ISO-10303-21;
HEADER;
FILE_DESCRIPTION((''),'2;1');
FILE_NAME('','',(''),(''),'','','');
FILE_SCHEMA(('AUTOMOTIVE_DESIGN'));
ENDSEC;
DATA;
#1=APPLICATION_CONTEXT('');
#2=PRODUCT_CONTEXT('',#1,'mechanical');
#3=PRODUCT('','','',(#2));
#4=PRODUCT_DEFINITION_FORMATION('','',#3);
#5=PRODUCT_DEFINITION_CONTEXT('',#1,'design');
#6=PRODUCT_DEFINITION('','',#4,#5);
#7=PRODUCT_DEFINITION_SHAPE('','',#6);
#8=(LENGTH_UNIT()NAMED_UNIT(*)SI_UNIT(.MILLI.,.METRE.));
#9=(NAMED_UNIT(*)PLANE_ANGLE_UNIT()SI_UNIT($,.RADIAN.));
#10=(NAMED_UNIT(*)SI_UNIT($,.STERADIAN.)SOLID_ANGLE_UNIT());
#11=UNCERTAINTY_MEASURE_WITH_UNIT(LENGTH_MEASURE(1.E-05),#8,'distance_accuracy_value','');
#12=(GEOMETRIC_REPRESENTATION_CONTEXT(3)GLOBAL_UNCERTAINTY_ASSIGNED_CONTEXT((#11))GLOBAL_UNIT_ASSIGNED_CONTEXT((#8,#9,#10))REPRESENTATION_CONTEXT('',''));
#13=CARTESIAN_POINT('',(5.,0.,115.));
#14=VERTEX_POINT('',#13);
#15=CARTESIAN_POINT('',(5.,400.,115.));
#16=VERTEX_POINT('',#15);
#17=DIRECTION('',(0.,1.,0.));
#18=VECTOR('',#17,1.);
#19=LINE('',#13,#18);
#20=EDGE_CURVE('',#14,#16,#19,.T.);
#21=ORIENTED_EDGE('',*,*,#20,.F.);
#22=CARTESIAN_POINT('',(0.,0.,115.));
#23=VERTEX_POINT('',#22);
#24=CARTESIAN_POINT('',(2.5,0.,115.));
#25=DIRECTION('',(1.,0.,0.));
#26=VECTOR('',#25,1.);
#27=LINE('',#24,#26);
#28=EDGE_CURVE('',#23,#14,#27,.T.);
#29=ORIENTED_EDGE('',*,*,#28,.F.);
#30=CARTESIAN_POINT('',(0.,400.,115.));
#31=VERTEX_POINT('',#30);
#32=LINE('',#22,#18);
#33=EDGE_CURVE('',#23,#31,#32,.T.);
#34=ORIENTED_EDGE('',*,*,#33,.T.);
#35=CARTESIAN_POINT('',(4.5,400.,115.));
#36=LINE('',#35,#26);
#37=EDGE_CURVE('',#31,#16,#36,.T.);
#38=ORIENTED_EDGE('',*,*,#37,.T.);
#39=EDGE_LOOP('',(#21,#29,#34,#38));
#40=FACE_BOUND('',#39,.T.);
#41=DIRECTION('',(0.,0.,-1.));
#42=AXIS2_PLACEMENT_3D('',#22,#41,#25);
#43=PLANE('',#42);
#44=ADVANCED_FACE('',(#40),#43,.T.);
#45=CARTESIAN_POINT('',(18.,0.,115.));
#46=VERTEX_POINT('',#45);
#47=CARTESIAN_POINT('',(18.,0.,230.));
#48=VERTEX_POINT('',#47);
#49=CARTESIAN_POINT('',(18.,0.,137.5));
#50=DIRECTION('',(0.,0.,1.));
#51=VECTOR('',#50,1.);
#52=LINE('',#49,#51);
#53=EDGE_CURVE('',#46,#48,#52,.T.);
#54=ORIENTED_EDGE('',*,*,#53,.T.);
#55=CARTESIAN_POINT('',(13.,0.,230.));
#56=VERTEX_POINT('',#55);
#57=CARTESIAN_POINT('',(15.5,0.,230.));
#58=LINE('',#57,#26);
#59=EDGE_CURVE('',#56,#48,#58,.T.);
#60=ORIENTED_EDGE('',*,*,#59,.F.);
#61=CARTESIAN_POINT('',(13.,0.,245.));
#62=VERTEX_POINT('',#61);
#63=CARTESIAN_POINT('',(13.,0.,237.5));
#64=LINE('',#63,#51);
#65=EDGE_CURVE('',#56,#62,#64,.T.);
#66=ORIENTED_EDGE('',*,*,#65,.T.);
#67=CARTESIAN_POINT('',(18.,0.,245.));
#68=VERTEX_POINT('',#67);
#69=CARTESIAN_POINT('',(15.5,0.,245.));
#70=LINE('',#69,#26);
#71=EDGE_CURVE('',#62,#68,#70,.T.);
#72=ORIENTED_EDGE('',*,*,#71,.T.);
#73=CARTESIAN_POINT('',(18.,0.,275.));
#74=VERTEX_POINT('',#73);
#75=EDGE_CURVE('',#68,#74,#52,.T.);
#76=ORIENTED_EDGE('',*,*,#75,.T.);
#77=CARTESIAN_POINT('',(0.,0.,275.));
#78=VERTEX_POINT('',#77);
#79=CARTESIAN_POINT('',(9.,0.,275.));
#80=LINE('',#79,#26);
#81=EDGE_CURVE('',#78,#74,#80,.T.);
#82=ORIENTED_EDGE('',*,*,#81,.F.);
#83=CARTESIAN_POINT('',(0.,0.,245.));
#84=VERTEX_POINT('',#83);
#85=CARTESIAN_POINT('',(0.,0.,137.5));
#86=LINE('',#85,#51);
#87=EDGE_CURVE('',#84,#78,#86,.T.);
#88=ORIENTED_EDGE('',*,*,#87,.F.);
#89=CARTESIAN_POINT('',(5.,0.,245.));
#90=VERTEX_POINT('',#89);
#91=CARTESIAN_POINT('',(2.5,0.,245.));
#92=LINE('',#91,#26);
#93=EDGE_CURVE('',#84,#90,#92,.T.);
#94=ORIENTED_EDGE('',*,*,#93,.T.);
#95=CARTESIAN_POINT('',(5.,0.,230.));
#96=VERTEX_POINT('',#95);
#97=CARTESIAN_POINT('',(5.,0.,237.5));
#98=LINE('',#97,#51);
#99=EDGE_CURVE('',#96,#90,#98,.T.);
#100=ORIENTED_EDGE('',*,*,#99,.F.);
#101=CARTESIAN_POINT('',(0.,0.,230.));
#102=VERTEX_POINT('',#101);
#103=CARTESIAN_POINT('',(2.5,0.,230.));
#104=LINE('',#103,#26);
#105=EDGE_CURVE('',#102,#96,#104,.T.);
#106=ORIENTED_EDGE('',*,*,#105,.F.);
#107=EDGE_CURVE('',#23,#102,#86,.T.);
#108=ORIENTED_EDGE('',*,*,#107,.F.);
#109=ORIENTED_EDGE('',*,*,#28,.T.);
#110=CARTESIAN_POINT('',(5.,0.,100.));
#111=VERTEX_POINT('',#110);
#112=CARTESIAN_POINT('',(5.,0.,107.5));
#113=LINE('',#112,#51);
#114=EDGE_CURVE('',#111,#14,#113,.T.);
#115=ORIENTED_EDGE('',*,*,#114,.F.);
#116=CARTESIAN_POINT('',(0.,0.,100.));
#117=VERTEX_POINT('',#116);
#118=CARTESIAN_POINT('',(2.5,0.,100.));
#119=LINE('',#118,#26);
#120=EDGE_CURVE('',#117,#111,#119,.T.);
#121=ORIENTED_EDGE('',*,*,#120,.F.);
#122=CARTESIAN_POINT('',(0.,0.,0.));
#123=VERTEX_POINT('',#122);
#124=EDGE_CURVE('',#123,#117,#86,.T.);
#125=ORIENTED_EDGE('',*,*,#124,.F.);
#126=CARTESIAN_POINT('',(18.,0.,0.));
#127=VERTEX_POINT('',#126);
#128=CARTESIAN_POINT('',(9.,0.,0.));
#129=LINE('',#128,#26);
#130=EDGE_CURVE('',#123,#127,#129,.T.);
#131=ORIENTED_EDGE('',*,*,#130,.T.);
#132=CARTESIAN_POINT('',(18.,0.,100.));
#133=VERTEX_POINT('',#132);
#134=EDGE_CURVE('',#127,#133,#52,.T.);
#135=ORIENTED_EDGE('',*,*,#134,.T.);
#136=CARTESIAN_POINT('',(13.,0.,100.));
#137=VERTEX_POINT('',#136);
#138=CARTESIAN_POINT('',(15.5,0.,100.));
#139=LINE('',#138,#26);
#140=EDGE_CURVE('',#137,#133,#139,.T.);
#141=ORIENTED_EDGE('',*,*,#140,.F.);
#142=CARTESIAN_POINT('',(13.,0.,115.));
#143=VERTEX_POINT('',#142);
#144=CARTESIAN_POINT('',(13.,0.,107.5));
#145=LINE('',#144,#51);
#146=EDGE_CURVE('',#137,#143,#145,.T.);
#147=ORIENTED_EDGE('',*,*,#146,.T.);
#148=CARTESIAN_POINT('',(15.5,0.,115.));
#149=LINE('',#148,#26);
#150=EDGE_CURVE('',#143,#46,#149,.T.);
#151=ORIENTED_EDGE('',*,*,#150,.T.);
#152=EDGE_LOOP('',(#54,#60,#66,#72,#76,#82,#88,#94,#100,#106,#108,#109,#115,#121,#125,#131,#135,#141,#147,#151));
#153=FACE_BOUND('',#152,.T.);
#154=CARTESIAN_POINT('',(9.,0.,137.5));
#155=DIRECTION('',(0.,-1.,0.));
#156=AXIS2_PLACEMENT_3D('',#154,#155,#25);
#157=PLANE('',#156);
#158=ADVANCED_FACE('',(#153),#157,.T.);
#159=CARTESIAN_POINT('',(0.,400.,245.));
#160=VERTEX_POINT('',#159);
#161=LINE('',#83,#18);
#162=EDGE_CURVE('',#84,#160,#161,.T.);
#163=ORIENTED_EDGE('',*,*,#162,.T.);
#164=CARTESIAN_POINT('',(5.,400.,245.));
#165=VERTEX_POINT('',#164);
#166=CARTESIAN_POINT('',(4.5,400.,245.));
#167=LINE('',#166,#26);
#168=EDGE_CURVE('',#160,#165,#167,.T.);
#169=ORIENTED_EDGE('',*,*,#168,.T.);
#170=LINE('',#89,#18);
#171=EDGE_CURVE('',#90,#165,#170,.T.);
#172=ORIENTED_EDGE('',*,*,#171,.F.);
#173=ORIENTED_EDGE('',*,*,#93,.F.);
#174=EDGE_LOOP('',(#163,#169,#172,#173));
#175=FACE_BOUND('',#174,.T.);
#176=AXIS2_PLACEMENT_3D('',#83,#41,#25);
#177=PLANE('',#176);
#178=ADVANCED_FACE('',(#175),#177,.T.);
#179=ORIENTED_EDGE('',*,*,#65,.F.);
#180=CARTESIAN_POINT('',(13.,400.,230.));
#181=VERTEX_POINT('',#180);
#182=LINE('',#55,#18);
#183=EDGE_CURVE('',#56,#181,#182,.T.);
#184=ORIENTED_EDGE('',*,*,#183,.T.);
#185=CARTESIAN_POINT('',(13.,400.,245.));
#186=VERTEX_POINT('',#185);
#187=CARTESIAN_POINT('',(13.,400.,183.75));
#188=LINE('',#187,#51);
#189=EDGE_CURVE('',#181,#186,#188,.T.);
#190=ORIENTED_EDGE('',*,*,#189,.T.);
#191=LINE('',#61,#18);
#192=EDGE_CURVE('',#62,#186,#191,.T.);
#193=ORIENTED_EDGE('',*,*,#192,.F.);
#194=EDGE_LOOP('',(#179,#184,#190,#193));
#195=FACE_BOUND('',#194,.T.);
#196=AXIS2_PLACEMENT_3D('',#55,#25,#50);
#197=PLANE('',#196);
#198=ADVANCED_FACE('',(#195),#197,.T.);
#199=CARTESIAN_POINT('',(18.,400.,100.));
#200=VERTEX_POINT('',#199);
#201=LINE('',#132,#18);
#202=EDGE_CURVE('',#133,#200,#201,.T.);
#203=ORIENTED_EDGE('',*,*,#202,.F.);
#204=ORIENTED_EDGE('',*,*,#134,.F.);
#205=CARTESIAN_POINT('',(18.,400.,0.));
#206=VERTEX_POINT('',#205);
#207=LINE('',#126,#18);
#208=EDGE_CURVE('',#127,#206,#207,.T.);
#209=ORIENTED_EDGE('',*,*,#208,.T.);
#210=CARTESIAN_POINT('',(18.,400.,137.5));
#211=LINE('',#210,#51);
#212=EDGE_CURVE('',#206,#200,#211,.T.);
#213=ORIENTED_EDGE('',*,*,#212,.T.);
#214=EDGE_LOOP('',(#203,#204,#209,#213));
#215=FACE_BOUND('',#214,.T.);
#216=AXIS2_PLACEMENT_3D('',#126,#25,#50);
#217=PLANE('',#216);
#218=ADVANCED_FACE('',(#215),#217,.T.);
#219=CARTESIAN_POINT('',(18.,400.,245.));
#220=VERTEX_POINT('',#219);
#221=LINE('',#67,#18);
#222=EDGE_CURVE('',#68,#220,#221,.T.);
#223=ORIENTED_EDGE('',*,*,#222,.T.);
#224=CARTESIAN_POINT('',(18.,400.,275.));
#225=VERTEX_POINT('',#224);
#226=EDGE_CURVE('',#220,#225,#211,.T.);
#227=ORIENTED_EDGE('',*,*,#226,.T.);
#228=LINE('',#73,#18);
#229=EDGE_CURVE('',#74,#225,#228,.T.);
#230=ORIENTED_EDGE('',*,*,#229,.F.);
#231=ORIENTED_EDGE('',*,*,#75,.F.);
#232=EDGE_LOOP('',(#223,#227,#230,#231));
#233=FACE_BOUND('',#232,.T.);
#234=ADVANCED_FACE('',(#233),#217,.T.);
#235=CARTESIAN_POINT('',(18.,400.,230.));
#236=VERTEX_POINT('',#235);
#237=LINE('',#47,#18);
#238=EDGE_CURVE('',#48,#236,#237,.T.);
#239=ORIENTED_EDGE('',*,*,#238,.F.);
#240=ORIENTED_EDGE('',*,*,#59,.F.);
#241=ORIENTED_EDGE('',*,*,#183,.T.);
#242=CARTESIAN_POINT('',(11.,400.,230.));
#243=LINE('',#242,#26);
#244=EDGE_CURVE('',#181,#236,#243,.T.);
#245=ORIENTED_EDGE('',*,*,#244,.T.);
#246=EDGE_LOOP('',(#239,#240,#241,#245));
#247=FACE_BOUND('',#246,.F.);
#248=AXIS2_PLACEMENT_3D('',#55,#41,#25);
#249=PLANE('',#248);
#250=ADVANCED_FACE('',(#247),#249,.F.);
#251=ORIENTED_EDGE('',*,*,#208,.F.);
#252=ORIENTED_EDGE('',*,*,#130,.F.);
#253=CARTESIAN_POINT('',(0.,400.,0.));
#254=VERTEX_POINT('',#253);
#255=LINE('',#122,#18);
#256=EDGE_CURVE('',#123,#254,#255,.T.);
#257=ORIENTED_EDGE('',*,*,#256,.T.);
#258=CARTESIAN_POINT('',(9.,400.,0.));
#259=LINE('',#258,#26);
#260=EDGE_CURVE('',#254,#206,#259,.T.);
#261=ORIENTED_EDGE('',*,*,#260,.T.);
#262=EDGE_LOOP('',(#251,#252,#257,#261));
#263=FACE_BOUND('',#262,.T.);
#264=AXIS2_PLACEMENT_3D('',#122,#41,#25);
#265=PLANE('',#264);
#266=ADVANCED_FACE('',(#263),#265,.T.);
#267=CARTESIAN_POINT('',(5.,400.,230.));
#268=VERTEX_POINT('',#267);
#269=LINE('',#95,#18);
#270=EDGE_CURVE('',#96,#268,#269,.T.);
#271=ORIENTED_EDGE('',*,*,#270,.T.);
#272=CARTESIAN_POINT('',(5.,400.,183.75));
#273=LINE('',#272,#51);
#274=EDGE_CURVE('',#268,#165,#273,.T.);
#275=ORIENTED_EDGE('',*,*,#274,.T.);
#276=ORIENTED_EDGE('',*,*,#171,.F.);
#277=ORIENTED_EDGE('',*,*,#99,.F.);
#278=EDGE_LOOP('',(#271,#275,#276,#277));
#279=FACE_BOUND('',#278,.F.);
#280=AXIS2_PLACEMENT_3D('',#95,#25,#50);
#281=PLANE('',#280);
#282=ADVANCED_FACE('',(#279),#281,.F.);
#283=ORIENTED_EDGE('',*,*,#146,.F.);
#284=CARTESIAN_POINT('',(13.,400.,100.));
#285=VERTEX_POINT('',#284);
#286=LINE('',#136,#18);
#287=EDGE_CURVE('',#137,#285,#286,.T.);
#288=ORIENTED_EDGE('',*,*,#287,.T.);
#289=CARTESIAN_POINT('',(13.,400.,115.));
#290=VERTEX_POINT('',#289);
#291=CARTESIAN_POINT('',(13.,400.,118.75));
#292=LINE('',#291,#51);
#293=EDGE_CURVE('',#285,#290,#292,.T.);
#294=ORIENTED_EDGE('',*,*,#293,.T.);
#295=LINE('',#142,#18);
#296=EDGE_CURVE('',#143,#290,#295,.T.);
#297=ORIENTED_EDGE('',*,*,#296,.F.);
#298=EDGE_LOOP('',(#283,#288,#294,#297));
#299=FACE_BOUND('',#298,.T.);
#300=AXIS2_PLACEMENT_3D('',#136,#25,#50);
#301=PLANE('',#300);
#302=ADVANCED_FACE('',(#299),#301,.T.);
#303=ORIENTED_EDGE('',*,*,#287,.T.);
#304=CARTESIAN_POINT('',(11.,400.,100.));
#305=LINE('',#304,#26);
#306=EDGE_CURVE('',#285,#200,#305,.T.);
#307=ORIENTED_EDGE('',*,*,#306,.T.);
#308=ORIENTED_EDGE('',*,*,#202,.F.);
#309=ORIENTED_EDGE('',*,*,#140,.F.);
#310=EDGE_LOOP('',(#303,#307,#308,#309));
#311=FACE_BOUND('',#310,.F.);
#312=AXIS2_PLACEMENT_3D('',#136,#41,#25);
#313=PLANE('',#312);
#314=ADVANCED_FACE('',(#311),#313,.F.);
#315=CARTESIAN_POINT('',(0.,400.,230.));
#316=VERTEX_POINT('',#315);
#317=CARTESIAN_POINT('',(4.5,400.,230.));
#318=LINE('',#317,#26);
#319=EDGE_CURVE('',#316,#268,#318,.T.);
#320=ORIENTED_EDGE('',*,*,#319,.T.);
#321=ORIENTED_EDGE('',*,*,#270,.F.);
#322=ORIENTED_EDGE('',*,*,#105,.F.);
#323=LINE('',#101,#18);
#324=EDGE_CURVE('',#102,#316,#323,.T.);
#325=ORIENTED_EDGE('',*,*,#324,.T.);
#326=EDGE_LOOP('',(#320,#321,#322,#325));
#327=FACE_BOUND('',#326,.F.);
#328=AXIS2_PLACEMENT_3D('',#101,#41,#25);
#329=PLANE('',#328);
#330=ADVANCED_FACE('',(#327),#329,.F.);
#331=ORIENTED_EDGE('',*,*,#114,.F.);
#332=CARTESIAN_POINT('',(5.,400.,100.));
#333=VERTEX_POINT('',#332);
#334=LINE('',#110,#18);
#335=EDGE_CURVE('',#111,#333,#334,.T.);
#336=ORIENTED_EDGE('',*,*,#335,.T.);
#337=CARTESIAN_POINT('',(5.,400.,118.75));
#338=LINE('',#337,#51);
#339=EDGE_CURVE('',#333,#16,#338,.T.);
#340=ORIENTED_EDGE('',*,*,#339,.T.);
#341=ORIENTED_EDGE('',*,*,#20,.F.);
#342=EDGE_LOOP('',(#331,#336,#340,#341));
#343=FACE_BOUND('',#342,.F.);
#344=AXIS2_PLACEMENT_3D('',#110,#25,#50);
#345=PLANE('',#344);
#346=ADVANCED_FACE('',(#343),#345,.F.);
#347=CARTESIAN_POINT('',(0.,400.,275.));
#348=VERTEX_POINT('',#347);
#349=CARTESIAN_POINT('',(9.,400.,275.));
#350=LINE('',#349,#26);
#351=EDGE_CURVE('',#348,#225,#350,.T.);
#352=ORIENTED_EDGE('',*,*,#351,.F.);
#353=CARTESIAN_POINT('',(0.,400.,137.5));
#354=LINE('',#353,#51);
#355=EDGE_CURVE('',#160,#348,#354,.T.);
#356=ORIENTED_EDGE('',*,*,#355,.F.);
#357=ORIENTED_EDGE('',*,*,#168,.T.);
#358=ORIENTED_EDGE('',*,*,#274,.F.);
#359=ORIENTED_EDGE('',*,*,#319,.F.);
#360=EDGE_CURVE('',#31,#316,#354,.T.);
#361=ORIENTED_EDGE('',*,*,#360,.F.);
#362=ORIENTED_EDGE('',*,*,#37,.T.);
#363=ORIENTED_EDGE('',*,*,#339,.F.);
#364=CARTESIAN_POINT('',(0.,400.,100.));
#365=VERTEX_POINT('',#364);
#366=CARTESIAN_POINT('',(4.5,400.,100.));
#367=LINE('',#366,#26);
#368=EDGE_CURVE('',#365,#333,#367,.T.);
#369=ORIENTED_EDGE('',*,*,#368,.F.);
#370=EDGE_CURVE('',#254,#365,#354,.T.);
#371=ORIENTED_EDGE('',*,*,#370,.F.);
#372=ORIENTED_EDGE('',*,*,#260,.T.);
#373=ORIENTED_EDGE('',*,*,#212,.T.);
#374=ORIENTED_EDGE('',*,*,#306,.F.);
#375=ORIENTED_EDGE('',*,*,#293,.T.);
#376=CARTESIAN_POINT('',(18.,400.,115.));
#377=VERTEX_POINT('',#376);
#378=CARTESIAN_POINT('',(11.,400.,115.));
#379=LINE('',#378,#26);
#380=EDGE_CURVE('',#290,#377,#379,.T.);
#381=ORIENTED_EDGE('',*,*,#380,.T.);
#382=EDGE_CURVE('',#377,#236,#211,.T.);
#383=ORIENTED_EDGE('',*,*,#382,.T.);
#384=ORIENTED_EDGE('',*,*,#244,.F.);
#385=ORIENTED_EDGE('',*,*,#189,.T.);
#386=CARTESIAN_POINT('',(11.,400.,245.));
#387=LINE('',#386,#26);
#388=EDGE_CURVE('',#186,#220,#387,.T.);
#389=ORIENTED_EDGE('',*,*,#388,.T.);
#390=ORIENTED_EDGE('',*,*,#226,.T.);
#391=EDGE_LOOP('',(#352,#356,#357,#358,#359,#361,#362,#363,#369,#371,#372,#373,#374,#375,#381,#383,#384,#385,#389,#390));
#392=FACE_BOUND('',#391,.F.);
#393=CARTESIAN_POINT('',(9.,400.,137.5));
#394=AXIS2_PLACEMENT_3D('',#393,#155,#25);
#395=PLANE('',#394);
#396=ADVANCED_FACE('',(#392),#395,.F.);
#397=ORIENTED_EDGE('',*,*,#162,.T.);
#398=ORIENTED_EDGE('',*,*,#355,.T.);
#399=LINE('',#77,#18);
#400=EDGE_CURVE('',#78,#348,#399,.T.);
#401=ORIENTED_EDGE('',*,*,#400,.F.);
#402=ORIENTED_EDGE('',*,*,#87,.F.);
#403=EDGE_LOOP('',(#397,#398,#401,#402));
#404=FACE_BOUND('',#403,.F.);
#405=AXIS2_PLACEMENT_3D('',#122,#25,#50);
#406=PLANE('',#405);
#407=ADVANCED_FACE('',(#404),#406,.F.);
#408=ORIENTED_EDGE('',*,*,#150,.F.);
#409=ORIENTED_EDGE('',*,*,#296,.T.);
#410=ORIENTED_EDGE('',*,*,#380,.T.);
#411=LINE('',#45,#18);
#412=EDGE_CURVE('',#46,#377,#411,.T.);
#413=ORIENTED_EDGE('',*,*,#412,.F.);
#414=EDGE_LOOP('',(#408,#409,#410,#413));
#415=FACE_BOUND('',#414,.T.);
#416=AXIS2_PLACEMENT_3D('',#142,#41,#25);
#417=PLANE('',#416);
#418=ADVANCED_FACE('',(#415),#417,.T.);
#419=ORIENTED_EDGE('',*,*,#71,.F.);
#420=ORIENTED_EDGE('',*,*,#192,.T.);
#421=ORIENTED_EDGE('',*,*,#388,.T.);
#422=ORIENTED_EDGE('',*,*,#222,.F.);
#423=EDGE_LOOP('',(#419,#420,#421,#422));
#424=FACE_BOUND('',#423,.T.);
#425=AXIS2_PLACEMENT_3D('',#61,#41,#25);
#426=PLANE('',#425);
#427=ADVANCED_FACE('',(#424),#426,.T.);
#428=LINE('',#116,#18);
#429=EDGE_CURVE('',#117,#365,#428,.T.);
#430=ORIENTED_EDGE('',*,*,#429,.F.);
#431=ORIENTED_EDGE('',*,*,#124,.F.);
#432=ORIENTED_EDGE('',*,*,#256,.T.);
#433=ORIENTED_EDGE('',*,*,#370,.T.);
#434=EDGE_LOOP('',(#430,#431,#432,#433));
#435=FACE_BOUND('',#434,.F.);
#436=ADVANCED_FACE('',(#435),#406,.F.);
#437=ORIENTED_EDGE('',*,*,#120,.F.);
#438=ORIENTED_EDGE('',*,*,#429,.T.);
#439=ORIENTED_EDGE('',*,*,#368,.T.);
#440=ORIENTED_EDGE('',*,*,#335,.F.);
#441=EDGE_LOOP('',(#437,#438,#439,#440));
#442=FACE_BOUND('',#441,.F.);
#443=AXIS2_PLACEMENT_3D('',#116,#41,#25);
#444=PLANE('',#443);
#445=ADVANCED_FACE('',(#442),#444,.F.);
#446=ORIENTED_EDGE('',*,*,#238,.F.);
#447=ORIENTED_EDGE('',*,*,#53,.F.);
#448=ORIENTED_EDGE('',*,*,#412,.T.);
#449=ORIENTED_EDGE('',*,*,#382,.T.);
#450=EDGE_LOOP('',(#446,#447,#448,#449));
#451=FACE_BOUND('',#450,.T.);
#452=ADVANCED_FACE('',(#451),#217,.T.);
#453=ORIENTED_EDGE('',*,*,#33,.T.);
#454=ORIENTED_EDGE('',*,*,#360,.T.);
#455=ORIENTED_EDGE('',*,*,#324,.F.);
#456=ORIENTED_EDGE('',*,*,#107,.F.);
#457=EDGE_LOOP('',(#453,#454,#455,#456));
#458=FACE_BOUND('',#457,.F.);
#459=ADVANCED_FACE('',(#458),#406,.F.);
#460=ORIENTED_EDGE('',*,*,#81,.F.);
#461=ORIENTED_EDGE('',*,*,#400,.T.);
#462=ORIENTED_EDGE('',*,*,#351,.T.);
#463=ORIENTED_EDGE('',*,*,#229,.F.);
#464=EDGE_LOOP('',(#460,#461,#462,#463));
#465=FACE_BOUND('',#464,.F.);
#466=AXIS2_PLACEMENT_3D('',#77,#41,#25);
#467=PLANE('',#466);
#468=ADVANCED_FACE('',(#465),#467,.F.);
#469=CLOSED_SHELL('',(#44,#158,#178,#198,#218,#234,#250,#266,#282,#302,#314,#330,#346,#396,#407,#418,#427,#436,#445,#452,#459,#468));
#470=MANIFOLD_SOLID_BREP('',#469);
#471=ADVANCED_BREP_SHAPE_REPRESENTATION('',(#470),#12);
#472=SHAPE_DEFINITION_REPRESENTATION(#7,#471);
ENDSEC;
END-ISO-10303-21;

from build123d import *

# Parameters (mm, degrees)
F0_W     = 18
F0_H     = 275
F1_DEPTH = 400
F2_W     = 5
F2_H     = 15
F3_DEPTH = 400.001


with BuildPart() as f1:
    # F0 (on Front) → F1 (new body)
    with BuildSketch(Plane.XZ):
        with Locations((9, 137.5)):
            Rectangle(F0_W, F0_H)
    extrude(amount=-F1_DEPTH)

    # F2 (on face) → F3 (cut, through all)
    with BuildSketch(Plane.XZ):
        with Locations((15.5, 237.5)):
            Rectangle(F2_W, F2_H)
        with Locations((15.5, 107.5)):
            Rectangle(F2_W, F2_H)
        with Locations((2.5, 237.5)):
            Rectangle(F2_W, F2_H)
        with Locations((2.5, 107.5)):
            Rectangle(F2_W, F2_H)
    extrude(amount=-F3_DEPTH, mode=Mode.SUBTRACT)


solid = f1.part
